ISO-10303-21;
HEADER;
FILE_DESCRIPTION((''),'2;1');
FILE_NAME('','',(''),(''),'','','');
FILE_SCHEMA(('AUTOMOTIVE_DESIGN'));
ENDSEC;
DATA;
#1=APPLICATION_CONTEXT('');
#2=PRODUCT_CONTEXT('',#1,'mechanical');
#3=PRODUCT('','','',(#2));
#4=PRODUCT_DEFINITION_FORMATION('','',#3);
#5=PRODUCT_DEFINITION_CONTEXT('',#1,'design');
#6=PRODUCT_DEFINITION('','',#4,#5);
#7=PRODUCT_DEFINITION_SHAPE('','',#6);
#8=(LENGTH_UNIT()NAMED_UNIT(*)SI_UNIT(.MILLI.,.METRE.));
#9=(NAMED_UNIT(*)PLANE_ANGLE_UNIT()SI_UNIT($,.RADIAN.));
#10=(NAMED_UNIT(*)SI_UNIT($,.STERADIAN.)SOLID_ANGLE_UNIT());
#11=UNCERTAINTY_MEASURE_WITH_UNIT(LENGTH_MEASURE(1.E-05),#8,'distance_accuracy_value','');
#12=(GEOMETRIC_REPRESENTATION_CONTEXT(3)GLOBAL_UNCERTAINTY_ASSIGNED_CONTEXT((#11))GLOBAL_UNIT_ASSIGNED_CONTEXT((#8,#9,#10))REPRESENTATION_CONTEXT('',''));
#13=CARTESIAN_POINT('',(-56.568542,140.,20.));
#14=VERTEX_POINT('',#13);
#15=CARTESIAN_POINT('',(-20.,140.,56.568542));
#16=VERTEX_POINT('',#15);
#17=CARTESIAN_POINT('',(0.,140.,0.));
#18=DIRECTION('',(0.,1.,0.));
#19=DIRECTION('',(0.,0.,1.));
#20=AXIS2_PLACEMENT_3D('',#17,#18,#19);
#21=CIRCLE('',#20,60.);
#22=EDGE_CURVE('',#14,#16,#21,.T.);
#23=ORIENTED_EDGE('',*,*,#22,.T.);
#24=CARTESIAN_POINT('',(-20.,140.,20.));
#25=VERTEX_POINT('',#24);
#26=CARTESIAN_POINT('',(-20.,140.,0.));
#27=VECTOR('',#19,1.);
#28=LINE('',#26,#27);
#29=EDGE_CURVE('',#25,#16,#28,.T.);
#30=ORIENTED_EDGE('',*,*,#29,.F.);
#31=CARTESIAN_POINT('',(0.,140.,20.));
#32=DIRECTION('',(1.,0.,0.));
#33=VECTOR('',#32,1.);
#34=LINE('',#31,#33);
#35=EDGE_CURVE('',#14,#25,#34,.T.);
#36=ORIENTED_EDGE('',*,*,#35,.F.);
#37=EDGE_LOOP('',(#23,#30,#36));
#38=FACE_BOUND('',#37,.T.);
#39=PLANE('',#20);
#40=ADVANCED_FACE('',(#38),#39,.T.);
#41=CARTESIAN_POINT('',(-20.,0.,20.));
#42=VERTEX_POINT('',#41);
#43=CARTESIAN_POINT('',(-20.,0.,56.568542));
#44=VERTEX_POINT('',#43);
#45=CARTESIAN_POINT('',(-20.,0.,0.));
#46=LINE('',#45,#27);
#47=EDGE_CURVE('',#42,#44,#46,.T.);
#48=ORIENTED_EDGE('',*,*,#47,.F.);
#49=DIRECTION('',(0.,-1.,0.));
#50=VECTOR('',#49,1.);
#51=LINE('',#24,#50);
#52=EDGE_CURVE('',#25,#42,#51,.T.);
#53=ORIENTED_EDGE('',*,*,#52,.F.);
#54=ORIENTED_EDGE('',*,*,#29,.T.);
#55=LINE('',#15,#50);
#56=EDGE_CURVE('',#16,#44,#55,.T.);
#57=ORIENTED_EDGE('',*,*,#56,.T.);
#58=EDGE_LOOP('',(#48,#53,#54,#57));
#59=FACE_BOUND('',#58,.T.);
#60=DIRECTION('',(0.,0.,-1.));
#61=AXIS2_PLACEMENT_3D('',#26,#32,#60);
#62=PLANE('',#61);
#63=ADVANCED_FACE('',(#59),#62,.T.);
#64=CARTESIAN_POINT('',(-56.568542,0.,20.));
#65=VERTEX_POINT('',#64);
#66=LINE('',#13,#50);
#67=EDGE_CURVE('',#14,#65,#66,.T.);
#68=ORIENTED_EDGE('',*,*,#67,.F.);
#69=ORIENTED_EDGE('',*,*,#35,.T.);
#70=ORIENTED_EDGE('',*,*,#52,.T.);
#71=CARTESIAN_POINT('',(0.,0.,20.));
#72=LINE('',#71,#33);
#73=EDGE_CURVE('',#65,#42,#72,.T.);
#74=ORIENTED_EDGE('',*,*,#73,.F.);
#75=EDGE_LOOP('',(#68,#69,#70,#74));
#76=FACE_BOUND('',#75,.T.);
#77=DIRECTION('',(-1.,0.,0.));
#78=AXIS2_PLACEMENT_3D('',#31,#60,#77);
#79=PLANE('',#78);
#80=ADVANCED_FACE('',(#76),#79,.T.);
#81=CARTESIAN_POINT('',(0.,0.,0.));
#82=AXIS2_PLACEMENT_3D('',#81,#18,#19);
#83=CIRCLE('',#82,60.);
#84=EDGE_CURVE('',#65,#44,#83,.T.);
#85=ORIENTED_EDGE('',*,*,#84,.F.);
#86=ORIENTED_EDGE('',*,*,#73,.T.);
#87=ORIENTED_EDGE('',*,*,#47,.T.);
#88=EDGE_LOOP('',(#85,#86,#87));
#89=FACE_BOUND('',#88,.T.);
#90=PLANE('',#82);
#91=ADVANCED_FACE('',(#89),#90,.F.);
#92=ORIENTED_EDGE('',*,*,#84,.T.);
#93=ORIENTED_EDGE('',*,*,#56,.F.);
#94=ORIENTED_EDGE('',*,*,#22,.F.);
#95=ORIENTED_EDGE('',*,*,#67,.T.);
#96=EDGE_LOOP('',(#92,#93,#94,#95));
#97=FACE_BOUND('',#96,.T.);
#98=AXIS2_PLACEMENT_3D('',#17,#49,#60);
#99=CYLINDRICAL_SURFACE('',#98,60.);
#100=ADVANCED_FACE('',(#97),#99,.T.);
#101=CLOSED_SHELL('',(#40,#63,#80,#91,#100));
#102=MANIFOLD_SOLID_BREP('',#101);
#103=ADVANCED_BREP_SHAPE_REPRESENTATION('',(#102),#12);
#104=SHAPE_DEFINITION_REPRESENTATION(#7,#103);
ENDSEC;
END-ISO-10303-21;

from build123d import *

# Parameters (mm, degrees)
EXTRUDE_1_DEPTH = 140


with BuildPart() as part:
    # 草图1 → 凸台-拉伸1 (new body)
    with BuildSketch(Plane(origin=(0, 0, 0), x_dir=(1, 0, 0), z_dir=(0, 1, 0))):
        with BuildLine():
            Line((-20, -20), (-56.568542495, -20))
            ThreePointArc((-56.568542495, -20), (-42.426406871, -42.426406871), (-20, -56.568542495))
            Line((-20, -56.568542495), (-20, -20))
        make_face()
    extrude(amount=EXTRUDE_1_DEPTH)


solid = part.part
